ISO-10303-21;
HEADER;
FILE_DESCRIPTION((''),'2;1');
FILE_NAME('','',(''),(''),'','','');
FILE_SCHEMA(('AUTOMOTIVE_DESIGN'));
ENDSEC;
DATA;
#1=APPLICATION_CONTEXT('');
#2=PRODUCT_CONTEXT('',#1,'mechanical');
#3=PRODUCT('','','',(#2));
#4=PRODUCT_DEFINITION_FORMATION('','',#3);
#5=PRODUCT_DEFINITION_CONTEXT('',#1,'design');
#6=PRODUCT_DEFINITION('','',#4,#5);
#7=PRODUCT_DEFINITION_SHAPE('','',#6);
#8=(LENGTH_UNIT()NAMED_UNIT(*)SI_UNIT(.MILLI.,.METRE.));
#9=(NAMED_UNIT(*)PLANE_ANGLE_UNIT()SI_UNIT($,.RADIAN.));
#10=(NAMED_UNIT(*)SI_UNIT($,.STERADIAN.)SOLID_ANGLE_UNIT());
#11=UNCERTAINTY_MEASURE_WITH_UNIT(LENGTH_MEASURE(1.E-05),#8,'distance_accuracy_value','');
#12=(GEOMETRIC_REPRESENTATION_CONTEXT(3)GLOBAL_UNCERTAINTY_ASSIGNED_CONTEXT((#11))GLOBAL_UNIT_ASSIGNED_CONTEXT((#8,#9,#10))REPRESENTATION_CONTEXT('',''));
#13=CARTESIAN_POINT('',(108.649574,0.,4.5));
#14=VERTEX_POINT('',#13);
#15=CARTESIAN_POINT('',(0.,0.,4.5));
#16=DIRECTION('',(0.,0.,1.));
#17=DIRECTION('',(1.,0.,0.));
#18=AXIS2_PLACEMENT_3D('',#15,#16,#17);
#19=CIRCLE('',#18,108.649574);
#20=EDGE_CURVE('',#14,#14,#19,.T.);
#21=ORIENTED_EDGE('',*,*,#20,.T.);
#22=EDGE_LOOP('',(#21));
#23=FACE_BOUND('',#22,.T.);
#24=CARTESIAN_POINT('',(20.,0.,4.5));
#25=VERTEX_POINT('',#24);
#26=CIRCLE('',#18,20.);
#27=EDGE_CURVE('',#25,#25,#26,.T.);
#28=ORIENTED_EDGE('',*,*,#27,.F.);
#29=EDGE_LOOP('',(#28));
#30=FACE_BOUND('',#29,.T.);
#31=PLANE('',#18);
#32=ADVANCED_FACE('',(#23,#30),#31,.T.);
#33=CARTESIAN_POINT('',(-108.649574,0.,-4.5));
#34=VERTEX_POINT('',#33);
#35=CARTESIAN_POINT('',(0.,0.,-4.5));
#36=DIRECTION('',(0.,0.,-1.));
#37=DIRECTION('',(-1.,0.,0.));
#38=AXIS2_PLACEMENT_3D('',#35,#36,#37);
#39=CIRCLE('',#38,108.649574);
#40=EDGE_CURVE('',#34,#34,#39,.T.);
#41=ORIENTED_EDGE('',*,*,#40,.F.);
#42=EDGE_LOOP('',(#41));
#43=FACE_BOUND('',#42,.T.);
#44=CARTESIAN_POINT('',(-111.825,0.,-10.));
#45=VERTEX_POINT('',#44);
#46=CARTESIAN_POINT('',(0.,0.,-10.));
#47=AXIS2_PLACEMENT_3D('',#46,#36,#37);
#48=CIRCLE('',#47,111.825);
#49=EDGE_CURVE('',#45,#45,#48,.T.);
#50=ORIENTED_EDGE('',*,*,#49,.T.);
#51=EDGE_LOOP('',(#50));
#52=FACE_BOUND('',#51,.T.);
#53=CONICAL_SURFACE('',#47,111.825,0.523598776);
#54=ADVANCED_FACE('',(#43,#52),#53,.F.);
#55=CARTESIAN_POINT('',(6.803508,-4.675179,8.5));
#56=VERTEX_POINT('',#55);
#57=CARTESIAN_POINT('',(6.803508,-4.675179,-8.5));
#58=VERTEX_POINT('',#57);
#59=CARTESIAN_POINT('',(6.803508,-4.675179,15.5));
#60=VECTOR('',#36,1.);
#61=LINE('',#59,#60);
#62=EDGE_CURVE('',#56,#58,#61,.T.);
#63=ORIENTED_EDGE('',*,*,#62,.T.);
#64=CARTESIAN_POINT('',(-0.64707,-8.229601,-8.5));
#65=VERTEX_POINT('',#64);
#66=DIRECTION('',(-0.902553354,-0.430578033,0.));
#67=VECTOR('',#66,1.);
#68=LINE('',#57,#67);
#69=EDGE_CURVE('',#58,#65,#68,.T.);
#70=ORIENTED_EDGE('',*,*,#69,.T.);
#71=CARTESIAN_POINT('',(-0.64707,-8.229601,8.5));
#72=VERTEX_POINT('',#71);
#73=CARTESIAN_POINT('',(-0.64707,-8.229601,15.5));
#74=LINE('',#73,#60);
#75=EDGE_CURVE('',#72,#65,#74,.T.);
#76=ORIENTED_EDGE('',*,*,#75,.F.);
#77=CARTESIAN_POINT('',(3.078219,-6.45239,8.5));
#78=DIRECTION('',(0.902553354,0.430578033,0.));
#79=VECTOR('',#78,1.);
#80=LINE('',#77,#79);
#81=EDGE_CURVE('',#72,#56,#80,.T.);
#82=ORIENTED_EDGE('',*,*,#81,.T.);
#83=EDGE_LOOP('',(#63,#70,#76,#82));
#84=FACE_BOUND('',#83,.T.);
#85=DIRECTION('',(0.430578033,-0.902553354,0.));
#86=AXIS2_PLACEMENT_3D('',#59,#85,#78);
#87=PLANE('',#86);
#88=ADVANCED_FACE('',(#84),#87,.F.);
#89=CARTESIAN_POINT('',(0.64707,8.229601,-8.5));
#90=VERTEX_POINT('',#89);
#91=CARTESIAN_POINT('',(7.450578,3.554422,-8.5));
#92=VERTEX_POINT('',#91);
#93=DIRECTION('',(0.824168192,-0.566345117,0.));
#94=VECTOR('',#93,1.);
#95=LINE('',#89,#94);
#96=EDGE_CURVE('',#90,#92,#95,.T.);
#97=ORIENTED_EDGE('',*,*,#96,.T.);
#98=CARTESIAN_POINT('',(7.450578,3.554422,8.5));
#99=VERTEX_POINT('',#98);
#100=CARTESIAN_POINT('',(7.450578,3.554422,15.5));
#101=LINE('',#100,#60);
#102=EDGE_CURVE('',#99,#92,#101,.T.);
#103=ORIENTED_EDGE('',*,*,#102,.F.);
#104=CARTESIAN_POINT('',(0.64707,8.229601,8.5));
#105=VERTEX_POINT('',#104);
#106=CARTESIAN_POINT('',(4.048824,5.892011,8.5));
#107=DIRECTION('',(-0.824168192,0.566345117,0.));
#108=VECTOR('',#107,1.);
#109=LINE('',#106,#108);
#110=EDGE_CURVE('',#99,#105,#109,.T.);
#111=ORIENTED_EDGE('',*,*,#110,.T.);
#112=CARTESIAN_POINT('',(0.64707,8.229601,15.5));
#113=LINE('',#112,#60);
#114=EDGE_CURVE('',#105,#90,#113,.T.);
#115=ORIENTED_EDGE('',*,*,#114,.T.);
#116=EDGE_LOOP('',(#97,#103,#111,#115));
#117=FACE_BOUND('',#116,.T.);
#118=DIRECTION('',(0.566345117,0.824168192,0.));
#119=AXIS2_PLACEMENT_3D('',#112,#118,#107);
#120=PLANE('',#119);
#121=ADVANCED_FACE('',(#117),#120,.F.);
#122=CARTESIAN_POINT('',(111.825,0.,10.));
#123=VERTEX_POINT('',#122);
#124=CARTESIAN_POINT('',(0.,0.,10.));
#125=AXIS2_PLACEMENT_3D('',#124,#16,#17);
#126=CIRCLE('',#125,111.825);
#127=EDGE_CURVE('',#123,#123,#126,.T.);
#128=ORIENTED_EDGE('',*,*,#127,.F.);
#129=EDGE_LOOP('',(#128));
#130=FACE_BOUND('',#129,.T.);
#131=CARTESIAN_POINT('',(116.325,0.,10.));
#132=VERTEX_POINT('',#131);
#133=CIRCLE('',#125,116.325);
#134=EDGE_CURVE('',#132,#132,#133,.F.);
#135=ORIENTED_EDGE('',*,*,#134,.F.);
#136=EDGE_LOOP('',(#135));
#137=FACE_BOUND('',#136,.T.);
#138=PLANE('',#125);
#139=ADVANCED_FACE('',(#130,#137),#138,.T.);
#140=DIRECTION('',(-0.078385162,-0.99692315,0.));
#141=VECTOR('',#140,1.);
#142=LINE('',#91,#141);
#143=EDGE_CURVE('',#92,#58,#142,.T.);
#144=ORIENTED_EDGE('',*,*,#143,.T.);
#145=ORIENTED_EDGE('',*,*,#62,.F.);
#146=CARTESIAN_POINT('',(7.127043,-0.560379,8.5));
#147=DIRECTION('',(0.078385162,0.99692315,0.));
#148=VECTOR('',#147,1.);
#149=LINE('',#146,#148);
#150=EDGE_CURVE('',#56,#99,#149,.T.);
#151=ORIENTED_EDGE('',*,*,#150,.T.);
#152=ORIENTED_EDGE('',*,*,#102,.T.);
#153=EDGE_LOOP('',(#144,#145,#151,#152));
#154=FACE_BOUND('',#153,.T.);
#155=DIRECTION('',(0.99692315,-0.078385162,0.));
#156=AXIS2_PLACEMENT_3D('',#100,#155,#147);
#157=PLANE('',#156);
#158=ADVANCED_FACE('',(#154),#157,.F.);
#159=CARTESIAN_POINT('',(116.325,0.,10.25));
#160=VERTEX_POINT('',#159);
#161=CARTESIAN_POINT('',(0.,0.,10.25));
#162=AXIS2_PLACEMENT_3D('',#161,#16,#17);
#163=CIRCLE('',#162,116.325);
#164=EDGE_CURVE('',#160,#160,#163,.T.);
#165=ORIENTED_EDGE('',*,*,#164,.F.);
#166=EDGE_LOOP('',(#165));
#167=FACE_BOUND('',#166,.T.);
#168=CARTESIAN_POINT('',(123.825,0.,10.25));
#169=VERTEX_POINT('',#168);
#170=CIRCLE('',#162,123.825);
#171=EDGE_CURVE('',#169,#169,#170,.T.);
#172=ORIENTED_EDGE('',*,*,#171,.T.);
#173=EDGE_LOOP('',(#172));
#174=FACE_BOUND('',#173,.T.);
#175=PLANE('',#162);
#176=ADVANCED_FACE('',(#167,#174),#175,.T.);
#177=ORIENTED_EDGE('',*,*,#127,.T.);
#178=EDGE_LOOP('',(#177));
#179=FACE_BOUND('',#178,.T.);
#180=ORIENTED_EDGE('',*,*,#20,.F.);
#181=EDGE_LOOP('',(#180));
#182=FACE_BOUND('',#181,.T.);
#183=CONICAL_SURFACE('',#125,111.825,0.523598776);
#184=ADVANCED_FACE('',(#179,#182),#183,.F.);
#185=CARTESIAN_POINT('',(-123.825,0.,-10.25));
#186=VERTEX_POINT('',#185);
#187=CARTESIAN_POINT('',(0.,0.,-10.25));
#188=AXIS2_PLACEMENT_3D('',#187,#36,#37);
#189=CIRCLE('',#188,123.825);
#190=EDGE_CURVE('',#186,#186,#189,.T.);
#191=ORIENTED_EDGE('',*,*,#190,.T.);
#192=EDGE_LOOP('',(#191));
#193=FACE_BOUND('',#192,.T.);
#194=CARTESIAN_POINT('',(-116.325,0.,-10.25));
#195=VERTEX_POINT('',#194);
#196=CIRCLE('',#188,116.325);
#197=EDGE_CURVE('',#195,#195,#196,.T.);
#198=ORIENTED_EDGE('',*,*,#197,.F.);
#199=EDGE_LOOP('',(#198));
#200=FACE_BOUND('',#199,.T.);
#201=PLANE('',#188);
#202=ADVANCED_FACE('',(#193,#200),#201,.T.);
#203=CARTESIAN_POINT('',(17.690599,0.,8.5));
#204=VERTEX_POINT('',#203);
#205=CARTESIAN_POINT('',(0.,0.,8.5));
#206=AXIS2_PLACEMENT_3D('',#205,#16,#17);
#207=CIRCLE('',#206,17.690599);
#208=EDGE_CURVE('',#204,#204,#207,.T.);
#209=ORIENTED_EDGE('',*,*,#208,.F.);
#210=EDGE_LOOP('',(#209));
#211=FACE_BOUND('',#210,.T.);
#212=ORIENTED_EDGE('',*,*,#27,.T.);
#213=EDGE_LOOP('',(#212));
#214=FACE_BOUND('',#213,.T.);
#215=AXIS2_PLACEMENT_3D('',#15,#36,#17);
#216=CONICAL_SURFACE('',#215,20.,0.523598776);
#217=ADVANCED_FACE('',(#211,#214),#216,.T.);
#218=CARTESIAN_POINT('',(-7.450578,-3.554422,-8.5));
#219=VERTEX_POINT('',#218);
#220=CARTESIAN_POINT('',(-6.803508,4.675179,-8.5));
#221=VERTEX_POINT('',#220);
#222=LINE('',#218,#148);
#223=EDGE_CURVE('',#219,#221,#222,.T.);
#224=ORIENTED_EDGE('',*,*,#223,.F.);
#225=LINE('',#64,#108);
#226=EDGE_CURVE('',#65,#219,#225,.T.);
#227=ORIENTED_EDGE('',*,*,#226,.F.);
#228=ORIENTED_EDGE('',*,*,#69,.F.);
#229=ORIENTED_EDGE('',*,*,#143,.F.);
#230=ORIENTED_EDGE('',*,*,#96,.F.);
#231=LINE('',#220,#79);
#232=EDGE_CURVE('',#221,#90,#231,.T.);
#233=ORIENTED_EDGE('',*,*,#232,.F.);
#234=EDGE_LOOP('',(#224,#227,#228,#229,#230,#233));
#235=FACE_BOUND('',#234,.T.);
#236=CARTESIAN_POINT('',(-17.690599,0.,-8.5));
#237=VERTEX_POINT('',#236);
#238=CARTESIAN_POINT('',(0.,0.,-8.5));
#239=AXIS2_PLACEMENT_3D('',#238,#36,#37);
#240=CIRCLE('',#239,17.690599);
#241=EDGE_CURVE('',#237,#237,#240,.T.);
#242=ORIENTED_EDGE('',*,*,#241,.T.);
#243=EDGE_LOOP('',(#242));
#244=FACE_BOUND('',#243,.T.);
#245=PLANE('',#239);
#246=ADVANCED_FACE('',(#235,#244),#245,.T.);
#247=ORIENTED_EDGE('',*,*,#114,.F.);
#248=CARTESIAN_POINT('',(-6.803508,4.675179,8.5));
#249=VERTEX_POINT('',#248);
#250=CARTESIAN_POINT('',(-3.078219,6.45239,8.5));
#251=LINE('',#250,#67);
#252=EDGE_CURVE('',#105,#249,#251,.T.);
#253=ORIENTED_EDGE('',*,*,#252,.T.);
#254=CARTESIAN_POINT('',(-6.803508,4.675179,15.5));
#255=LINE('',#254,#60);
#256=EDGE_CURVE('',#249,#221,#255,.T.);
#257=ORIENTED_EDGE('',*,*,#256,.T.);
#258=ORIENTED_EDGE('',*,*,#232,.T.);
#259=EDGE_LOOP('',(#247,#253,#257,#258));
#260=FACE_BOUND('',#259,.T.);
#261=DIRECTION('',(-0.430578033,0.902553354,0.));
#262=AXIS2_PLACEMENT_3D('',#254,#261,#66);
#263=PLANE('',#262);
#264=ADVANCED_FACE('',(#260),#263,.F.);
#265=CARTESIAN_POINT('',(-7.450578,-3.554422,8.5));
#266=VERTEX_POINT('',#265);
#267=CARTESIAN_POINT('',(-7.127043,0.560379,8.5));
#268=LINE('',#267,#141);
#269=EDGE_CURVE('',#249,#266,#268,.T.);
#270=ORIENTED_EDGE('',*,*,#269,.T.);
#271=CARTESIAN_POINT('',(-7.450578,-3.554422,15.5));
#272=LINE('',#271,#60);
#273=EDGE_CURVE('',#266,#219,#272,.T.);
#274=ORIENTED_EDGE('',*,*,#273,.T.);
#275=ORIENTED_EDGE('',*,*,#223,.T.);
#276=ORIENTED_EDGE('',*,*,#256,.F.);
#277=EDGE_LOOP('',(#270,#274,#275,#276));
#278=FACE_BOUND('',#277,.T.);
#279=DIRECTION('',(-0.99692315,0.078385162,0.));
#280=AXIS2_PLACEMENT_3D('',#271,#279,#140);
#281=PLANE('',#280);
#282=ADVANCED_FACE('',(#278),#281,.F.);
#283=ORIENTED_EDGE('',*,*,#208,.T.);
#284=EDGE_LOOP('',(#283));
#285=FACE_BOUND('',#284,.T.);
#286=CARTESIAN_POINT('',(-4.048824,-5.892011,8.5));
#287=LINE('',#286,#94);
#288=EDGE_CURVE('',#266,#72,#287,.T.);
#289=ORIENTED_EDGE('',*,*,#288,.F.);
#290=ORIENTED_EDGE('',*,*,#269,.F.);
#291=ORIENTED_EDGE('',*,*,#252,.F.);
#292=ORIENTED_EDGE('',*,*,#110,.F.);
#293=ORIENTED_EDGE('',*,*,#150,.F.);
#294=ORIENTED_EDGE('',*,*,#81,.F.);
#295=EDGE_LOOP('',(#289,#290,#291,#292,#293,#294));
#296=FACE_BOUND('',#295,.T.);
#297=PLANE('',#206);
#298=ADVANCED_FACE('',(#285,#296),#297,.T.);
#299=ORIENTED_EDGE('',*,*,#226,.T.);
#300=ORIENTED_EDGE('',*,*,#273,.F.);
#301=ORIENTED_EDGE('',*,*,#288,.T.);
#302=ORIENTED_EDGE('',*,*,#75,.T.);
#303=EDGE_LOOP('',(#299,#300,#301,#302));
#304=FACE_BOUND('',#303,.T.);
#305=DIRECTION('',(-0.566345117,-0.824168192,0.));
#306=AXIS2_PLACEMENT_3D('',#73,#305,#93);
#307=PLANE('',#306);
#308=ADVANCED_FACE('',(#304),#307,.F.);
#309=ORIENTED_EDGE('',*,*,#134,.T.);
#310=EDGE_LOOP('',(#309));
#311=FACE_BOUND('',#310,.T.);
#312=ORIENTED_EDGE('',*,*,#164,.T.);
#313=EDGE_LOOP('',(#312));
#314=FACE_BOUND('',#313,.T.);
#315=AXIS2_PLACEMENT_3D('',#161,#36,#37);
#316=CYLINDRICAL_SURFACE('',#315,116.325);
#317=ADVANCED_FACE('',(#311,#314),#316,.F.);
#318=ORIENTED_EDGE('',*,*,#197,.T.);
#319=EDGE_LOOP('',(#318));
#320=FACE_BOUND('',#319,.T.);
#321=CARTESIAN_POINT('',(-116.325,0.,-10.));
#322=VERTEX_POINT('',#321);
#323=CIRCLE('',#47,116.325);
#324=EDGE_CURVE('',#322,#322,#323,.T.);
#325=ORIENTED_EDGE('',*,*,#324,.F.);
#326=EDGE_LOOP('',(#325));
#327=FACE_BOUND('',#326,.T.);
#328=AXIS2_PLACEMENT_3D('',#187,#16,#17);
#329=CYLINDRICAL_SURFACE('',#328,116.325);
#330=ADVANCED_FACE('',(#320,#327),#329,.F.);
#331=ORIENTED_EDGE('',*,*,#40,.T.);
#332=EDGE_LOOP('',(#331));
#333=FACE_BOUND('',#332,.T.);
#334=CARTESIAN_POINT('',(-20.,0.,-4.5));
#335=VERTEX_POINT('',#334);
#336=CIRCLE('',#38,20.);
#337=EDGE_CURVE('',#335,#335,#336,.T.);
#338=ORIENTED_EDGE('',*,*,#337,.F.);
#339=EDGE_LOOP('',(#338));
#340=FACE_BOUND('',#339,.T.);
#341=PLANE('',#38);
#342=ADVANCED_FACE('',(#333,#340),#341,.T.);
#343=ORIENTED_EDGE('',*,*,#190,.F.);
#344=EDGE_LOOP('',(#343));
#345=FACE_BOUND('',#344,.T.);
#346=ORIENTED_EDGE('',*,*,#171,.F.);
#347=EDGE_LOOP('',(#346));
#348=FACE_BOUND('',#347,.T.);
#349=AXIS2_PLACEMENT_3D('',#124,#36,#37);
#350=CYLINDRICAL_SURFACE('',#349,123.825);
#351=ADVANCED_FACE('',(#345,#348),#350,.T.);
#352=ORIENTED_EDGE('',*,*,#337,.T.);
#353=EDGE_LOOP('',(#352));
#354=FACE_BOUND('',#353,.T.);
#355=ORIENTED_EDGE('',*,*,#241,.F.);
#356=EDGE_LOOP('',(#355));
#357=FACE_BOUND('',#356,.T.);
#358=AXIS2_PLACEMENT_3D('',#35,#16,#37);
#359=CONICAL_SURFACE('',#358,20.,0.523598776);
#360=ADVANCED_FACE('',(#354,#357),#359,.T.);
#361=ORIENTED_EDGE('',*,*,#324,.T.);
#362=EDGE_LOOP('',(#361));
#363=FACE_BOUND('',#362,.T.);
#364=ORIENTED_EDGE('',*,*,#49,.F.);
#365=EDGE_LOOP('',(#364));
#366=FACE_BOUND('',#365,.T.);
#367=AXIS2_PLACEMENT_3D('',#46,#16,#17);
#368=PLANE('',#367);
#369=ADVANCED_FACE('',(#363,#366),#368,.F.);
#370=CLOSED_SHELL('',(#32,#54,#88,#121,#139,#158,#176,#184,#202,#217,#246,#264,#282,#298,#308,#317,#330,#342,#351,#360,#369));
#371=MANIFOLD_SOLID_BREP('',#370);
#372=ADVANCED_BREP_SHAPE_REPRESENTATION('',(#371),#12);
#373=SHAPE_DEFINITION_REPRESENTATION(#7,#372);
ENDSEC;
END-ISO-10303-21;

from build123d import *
from build123d.topology import SkipClean

# Parameters (mm, degrees)
SKETCH1_R           = 123.825
BOSS_EXTRUDE1_DEPTH = 10
SKETCH4_R           = 111.825
CUT_EXTRUDE1_DEPTH  = 5.5
CUT_EXTRUDE1_DRAFT  = -30
SKETCH5_R           = 111.825
CUT_EXTRUDE2_DEPTH  = 5.5
CUT_EXTRUDE2_DRAFT  = -30
SKETCH6_R           = 20
BOSS_EXTRUDE2_DEPTH = 4
BOSS_EXTRUDE2_TAPER = 30
SKETCH9_R           = 20
BOSS_EXTRUDE3_DEPTH = 4
BOSS_EXTRUDE3_TAPER = 30
CUT_EXTRUDE4_DEPTH  = 24
SKETCH11_R          = 123.825
SKETCH11_R_2        = 116.325
BOSS_EXTRUDE4_DEPTH = 0.25
BOSS_EXTRUDE5_START = 0.25
SKETCH13_R          = 123.825
SKETCH13_R_2        = 116.325
BOSS_EXTRUDE5_DEPTH = 0.25


with BuildPart() as part:
    # Sketch1 → Boss-Extrude1 (new, symmetric)
    with BuildSketch(Plane.XY):
        Circle(SKETCH1_R)
    extrude(amount=BOSS_EXTRUDE1_DEPTH, both=True)


with BuildPart() as cut_extrude1_tool:
    # Sketch4 → Cut-Extrude1 (with draft: the straight prism first)
    with BuildSketch(Plane.XY.offset(10)):
        Circle(SKETCH4_R)
    extrude(amount=-CUT_EXTRUDE1_DEPTH)
    # Cut-Extrude1: the draft: its side faces are tilted about the plane it starts from
    cut_extrude1_sides = [cut_extrude1_tool.faces().sort_by_distance(p)[0] for p in [
        (-111.825, 0, 7.25),
    ]]
    draft(cut_extrude1_sides, Plane.XY.offset(10), CUT_EXTRUDE1_DRAFT)


with BuildPart() as part_1:
    add(part.part)

    # Cut-Extrude1: cut by cut_extrude1_tool
    add(cut_extrude1_tool.part, mode=Mode.SUBTRACT)


with BuildPart() as cut_extrude2_tool:
    # Sketch5 → Cut-Extrude2 (with draft: the straight prism first)
    with BuildSketch(Plane(origin=(0, 0, -10), x_dir=(-1, 0, 0), z_dir=(0, 0, -1))):
        Circle(SKETCH5_R)
    extrude(amount=-CUT_EXTRUDE2_DEPTH)
    # Cut-Extrude2: the draft: its side faces are tilted about the plane it starts from
    cut_extrude2_sides = [cut_extrude2_tool.faces().sort_by_distance(p)[0] for p in [
        (111.825, 0, -7.25),
    ]]
    draft(cut_extrude2_sides, Plane(origin=(0, 0, -10), x_dir=(-1, 0, 0), z_dir=(0, 0, -1)), CUT_EXTRUDE2_DRAFT)


with BuildPart() as part_2:
    add(part_1.part)

    # Cut-Extrude2: cut by cut_extrude2_tool
    add(cut_extrude2_tool.part, mode=Mode.SUBTRACT)

    # Sketch6 → Boss-Extrude2 (add)
    with BuildSketch(Plane.XY.offset(4.5)):
        Circle(SKETCH6_R)
    extrude(amount=BOSS_EXTRUDE2_DEPTH, taper=BOSS_EXTRUDE2_TAPER)

    # Sketch9 → Boss-Extrude3 (add)
    with BuildSketch(Plane(origin=(0, 0, -4.5), x_dir=(-1, 0, 0), z_dir=(0, 0, -1))):
        Circle(SKETCH9_R)
    extrude(amount=BOSS_EXTRUDE3_DEPTH, taper=BOSS_EXTRUDE3_TAPER)

    # Sketch10 → Cut-Extrude4 (cut)
    with BuildSketch(Plane(origin=(0, 0, -8.5), x_dir=(-1, 0, 0), z_dir=(0, 0, -1))):
        Polygon((7.450577941, -3.554421662), (6.803508425, 4.675178938), (-0.647069515, 8.2296006), (-7.450577941, 3.554421662), (-6.803508425, -4.675178938), (0.647069515, -8.2296006), align=None)
    extrude(amount=-CUT_EXTRUDE4_DEPTH, mode=Mode.SUBTRACT)

    # Sketch11 → Boss-Extrude4 (add)
    with BuildSketch(Plane(origin=(0, 0, -10), x_dir=(-1, 0, 0), z_dir=(0, 0, -1))):
        Circle(SKETCH11_R)
        Circle(SKETCH11_R_2, mode=Mode.SUBTRACT)
    extrude(amount=BOSS_EXTRUDE4_DEPTH)

    # Sketch13 → Boss-Extrude5 (add)
    with SkipClean():  # the faces are left unmerged after this step: merging them gives an invalid solid
        with BuildSketch(Plane.XY.offset(10).offset(BOSS_EXTRUDE5_START)):
            with Locations(Location((0, 0, 0), (0, 0, 180))):
                Circle(SKETCH13_R)
            with Locations(Location((0, 0, 0), (0, 0, 180))):
                Circle(SKETCH13_R_2, mode=Mode.SUBTRACT)
        extrude(amount=-BOSS_EXTRUDE5_DEPTH)


solid = part_2.part
